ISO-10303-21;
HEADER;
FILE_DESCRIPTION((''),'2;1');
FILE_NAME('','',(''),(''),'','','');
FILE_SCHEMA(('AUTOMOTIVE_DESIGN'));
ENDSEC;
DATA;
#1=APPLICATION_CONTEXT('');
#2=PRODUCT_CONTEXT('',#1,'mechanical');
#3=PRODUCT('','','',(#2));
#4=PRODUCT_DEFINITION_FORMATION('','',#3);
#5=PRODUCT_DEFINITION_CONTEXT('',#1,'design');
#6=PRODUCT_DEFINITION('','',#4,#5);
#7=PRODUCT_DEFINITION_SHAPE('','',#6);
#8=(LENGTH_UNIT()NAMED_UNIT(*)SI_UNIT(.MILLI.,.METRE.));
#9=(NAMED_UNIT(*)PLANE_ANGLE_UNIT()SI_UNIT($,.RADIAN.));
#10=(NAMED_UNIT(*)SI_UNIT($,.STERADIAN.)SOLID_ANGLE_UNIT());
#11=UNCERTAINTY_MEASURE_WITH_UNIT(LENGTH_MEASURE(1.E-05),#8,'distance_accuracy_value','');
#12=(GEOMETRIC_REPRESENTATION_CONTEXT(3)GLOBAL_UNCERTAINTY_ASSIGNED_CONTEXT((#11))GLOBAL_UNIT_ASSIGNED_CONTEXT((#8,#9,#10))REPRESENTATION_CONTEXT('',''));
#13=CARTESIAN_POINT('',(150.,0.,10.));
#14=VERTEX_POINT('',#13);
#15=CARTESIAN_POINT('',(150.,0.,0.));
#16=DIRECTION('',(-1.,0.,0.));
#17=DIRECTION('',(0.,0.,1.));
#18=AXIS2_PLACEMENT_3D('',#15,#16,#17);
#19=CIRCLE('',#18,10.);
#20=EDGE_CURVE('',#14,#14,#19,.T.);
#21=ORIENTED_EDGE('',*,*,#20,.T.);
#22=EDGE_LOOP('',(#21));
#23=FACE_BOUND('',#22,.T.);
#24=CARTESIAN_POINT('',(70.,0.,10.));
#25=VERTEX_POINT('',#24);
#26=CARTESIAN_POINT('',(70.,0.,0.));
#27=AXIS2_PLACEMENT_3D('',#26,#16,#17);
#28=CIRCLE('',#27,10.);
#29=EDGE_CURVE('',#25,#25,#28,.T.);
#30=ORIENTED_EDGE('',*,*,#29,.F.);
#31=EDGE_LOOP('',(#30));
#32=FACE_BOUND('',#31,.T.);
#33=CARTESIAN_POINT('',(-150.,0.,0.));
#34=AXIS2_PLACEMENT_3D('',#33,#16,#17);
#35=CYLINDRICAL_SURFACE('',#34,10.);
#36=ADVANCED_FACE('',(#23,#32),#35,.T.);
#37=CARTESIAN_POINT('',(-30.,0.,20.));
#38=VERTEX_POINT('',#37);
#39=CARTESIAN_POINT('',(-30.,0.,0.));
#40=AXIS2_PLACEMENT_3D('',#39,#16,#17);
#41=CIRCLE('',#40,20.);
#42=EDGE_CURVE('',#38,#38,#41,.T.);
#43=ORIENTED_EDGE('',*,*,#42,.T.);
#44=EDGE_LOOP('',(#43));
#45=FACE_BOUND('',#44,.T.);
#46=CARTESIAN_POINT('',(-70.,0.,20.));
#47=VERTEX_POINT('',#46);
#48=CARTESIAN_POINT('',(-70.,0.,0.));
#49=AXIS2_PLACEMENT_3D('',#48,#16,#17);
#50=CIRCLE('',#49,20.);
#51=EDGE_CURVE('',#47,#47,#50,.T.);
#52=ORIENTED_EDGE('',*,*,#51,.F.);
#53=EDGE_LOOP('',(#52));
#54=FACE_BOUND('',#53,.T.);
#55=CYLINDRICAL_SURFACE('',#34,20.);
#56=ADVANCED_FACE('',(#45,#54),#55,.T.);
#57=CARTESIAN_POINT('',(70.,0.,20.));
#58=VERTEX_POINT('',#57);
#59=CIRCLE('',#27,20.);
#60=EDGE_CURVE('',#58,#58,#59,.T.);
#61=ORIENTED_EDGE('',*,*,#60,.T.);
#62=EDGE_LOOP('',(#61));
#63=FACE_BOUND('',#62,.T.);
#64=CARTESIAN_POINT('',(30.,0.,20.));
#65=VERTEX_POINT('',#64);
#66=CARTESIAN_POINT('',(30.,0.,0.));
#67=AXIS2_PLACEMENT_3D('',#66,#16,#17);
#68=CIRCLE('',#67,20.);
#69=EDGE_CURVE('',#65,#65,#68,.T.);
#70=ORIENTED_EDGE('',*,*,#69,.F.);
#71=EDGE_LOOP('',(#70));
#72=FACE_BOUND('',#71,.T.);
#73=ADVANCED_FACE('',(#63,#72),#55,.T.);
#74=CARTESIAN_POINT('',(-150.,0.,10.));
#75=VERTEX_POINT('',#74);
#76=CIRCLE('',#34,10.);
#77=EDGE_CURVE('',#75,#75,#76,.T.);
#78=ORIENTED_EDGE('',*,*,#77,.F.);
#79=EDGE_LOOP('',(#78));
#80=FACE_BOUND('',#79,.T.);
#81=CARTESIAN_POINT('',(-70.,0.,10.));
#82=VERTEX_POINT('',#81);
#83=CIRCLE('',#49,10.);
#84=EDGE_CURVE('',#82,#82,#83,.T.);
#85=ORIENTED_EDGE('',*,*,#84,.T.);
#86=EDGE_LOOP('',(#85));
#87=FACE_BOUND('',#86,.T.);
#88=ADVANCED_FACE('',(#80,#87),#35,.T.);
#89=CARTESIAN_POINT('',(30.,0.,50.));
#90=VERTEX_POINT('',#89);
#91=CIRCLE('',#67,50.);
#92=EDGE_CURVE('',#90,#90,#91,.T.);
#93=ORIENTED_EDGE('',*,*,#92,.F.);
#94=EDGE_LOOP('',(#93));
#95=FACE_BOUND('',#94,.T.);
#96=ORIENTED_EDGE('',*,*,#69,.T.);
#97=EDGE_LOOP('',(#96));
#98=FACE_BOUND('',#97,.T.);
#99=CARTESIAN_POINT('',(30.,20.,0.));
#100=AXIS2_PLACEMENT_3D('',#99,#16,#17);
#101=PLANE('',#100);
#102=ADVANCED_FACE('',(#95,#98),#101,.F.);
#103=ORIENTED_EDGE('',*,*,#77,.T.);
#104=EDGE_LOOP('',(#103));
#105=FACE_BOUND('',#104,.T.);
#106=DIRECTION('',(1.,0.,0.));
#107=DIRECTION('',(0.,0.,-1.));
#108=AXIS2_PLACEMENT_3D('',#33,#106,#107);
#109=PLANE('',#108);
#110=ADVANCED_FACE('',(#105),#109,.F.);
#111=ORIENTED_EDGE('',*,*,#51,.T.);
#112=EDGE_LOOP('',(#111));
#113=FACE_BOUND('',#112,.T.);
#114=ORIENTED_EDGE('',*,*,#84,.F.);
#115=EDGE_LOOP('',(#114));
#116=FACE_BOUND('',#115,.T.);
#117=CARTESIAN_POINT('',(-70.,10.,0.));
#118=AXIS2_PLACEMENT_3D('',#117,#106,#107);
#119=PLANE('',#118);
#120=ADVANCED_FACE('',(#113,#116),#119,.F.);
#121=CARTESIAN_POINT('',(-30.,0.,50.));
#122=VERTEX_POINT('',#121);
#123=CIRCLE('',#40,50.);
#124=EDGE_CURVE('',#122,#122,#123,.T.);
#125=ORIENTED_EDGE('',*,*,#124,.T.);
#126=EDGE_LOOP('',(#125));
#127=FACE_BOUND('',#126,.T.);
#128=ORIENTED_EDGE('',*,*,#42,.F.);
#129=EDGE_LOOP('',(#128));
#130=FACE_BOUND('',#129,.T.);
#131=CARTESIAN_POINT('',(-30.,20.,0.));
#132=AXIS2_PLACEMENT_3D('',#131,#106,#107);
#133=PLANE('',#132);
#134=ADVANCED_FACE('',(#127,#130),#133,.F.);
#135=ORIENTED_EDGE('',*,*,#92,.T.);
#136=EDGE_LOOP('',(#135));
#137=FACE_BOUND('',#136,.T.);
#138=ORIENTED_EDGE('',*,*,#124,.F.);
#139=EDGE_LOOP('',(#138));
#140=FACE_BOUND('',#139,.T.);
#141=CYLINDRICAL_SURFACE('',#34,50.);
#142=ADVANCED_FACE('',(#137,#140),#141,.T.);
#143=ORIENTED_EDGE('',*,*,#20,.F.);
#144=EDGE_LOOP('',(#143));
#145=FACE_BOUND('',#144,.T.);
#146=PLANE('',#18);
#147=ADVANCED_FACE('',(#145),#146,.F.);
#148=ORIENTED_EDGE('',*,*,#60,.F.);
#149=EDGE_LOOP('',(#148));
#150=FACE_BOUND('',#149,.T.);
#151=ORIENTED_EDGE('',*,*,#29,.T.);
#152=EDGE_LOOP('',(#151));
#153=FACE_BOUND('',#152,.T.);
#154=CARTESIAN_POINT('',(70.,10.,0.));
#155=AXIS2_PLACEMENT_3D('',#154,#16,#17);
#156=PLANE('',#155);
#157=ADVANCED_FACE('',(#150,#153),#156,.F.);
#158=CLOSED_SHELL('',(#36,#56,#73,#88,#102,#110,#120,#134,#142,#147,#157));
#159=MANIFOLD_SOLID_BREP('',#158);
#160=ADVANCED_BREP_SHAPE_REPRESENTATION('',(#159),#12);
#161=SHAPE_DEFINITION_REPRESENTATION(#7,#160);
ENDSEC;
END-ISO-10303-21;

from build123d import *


with BuildPart() as part:
    # Croquis1 → Revolución5 (revolve)
    with BuildSketch(Plane.XY):
        Polygon((150, 0), (150, 10), (70, 10), (70, 20), (30, 20), (30, 50), (-30, 50), (-30, 20), (-70, 20), (-70, 10), (-150, 10), (-150, 0), align=None)
    revolve(axis=Axis((-150, 0, 0), (1, 0, 0)))


solid = part.part
